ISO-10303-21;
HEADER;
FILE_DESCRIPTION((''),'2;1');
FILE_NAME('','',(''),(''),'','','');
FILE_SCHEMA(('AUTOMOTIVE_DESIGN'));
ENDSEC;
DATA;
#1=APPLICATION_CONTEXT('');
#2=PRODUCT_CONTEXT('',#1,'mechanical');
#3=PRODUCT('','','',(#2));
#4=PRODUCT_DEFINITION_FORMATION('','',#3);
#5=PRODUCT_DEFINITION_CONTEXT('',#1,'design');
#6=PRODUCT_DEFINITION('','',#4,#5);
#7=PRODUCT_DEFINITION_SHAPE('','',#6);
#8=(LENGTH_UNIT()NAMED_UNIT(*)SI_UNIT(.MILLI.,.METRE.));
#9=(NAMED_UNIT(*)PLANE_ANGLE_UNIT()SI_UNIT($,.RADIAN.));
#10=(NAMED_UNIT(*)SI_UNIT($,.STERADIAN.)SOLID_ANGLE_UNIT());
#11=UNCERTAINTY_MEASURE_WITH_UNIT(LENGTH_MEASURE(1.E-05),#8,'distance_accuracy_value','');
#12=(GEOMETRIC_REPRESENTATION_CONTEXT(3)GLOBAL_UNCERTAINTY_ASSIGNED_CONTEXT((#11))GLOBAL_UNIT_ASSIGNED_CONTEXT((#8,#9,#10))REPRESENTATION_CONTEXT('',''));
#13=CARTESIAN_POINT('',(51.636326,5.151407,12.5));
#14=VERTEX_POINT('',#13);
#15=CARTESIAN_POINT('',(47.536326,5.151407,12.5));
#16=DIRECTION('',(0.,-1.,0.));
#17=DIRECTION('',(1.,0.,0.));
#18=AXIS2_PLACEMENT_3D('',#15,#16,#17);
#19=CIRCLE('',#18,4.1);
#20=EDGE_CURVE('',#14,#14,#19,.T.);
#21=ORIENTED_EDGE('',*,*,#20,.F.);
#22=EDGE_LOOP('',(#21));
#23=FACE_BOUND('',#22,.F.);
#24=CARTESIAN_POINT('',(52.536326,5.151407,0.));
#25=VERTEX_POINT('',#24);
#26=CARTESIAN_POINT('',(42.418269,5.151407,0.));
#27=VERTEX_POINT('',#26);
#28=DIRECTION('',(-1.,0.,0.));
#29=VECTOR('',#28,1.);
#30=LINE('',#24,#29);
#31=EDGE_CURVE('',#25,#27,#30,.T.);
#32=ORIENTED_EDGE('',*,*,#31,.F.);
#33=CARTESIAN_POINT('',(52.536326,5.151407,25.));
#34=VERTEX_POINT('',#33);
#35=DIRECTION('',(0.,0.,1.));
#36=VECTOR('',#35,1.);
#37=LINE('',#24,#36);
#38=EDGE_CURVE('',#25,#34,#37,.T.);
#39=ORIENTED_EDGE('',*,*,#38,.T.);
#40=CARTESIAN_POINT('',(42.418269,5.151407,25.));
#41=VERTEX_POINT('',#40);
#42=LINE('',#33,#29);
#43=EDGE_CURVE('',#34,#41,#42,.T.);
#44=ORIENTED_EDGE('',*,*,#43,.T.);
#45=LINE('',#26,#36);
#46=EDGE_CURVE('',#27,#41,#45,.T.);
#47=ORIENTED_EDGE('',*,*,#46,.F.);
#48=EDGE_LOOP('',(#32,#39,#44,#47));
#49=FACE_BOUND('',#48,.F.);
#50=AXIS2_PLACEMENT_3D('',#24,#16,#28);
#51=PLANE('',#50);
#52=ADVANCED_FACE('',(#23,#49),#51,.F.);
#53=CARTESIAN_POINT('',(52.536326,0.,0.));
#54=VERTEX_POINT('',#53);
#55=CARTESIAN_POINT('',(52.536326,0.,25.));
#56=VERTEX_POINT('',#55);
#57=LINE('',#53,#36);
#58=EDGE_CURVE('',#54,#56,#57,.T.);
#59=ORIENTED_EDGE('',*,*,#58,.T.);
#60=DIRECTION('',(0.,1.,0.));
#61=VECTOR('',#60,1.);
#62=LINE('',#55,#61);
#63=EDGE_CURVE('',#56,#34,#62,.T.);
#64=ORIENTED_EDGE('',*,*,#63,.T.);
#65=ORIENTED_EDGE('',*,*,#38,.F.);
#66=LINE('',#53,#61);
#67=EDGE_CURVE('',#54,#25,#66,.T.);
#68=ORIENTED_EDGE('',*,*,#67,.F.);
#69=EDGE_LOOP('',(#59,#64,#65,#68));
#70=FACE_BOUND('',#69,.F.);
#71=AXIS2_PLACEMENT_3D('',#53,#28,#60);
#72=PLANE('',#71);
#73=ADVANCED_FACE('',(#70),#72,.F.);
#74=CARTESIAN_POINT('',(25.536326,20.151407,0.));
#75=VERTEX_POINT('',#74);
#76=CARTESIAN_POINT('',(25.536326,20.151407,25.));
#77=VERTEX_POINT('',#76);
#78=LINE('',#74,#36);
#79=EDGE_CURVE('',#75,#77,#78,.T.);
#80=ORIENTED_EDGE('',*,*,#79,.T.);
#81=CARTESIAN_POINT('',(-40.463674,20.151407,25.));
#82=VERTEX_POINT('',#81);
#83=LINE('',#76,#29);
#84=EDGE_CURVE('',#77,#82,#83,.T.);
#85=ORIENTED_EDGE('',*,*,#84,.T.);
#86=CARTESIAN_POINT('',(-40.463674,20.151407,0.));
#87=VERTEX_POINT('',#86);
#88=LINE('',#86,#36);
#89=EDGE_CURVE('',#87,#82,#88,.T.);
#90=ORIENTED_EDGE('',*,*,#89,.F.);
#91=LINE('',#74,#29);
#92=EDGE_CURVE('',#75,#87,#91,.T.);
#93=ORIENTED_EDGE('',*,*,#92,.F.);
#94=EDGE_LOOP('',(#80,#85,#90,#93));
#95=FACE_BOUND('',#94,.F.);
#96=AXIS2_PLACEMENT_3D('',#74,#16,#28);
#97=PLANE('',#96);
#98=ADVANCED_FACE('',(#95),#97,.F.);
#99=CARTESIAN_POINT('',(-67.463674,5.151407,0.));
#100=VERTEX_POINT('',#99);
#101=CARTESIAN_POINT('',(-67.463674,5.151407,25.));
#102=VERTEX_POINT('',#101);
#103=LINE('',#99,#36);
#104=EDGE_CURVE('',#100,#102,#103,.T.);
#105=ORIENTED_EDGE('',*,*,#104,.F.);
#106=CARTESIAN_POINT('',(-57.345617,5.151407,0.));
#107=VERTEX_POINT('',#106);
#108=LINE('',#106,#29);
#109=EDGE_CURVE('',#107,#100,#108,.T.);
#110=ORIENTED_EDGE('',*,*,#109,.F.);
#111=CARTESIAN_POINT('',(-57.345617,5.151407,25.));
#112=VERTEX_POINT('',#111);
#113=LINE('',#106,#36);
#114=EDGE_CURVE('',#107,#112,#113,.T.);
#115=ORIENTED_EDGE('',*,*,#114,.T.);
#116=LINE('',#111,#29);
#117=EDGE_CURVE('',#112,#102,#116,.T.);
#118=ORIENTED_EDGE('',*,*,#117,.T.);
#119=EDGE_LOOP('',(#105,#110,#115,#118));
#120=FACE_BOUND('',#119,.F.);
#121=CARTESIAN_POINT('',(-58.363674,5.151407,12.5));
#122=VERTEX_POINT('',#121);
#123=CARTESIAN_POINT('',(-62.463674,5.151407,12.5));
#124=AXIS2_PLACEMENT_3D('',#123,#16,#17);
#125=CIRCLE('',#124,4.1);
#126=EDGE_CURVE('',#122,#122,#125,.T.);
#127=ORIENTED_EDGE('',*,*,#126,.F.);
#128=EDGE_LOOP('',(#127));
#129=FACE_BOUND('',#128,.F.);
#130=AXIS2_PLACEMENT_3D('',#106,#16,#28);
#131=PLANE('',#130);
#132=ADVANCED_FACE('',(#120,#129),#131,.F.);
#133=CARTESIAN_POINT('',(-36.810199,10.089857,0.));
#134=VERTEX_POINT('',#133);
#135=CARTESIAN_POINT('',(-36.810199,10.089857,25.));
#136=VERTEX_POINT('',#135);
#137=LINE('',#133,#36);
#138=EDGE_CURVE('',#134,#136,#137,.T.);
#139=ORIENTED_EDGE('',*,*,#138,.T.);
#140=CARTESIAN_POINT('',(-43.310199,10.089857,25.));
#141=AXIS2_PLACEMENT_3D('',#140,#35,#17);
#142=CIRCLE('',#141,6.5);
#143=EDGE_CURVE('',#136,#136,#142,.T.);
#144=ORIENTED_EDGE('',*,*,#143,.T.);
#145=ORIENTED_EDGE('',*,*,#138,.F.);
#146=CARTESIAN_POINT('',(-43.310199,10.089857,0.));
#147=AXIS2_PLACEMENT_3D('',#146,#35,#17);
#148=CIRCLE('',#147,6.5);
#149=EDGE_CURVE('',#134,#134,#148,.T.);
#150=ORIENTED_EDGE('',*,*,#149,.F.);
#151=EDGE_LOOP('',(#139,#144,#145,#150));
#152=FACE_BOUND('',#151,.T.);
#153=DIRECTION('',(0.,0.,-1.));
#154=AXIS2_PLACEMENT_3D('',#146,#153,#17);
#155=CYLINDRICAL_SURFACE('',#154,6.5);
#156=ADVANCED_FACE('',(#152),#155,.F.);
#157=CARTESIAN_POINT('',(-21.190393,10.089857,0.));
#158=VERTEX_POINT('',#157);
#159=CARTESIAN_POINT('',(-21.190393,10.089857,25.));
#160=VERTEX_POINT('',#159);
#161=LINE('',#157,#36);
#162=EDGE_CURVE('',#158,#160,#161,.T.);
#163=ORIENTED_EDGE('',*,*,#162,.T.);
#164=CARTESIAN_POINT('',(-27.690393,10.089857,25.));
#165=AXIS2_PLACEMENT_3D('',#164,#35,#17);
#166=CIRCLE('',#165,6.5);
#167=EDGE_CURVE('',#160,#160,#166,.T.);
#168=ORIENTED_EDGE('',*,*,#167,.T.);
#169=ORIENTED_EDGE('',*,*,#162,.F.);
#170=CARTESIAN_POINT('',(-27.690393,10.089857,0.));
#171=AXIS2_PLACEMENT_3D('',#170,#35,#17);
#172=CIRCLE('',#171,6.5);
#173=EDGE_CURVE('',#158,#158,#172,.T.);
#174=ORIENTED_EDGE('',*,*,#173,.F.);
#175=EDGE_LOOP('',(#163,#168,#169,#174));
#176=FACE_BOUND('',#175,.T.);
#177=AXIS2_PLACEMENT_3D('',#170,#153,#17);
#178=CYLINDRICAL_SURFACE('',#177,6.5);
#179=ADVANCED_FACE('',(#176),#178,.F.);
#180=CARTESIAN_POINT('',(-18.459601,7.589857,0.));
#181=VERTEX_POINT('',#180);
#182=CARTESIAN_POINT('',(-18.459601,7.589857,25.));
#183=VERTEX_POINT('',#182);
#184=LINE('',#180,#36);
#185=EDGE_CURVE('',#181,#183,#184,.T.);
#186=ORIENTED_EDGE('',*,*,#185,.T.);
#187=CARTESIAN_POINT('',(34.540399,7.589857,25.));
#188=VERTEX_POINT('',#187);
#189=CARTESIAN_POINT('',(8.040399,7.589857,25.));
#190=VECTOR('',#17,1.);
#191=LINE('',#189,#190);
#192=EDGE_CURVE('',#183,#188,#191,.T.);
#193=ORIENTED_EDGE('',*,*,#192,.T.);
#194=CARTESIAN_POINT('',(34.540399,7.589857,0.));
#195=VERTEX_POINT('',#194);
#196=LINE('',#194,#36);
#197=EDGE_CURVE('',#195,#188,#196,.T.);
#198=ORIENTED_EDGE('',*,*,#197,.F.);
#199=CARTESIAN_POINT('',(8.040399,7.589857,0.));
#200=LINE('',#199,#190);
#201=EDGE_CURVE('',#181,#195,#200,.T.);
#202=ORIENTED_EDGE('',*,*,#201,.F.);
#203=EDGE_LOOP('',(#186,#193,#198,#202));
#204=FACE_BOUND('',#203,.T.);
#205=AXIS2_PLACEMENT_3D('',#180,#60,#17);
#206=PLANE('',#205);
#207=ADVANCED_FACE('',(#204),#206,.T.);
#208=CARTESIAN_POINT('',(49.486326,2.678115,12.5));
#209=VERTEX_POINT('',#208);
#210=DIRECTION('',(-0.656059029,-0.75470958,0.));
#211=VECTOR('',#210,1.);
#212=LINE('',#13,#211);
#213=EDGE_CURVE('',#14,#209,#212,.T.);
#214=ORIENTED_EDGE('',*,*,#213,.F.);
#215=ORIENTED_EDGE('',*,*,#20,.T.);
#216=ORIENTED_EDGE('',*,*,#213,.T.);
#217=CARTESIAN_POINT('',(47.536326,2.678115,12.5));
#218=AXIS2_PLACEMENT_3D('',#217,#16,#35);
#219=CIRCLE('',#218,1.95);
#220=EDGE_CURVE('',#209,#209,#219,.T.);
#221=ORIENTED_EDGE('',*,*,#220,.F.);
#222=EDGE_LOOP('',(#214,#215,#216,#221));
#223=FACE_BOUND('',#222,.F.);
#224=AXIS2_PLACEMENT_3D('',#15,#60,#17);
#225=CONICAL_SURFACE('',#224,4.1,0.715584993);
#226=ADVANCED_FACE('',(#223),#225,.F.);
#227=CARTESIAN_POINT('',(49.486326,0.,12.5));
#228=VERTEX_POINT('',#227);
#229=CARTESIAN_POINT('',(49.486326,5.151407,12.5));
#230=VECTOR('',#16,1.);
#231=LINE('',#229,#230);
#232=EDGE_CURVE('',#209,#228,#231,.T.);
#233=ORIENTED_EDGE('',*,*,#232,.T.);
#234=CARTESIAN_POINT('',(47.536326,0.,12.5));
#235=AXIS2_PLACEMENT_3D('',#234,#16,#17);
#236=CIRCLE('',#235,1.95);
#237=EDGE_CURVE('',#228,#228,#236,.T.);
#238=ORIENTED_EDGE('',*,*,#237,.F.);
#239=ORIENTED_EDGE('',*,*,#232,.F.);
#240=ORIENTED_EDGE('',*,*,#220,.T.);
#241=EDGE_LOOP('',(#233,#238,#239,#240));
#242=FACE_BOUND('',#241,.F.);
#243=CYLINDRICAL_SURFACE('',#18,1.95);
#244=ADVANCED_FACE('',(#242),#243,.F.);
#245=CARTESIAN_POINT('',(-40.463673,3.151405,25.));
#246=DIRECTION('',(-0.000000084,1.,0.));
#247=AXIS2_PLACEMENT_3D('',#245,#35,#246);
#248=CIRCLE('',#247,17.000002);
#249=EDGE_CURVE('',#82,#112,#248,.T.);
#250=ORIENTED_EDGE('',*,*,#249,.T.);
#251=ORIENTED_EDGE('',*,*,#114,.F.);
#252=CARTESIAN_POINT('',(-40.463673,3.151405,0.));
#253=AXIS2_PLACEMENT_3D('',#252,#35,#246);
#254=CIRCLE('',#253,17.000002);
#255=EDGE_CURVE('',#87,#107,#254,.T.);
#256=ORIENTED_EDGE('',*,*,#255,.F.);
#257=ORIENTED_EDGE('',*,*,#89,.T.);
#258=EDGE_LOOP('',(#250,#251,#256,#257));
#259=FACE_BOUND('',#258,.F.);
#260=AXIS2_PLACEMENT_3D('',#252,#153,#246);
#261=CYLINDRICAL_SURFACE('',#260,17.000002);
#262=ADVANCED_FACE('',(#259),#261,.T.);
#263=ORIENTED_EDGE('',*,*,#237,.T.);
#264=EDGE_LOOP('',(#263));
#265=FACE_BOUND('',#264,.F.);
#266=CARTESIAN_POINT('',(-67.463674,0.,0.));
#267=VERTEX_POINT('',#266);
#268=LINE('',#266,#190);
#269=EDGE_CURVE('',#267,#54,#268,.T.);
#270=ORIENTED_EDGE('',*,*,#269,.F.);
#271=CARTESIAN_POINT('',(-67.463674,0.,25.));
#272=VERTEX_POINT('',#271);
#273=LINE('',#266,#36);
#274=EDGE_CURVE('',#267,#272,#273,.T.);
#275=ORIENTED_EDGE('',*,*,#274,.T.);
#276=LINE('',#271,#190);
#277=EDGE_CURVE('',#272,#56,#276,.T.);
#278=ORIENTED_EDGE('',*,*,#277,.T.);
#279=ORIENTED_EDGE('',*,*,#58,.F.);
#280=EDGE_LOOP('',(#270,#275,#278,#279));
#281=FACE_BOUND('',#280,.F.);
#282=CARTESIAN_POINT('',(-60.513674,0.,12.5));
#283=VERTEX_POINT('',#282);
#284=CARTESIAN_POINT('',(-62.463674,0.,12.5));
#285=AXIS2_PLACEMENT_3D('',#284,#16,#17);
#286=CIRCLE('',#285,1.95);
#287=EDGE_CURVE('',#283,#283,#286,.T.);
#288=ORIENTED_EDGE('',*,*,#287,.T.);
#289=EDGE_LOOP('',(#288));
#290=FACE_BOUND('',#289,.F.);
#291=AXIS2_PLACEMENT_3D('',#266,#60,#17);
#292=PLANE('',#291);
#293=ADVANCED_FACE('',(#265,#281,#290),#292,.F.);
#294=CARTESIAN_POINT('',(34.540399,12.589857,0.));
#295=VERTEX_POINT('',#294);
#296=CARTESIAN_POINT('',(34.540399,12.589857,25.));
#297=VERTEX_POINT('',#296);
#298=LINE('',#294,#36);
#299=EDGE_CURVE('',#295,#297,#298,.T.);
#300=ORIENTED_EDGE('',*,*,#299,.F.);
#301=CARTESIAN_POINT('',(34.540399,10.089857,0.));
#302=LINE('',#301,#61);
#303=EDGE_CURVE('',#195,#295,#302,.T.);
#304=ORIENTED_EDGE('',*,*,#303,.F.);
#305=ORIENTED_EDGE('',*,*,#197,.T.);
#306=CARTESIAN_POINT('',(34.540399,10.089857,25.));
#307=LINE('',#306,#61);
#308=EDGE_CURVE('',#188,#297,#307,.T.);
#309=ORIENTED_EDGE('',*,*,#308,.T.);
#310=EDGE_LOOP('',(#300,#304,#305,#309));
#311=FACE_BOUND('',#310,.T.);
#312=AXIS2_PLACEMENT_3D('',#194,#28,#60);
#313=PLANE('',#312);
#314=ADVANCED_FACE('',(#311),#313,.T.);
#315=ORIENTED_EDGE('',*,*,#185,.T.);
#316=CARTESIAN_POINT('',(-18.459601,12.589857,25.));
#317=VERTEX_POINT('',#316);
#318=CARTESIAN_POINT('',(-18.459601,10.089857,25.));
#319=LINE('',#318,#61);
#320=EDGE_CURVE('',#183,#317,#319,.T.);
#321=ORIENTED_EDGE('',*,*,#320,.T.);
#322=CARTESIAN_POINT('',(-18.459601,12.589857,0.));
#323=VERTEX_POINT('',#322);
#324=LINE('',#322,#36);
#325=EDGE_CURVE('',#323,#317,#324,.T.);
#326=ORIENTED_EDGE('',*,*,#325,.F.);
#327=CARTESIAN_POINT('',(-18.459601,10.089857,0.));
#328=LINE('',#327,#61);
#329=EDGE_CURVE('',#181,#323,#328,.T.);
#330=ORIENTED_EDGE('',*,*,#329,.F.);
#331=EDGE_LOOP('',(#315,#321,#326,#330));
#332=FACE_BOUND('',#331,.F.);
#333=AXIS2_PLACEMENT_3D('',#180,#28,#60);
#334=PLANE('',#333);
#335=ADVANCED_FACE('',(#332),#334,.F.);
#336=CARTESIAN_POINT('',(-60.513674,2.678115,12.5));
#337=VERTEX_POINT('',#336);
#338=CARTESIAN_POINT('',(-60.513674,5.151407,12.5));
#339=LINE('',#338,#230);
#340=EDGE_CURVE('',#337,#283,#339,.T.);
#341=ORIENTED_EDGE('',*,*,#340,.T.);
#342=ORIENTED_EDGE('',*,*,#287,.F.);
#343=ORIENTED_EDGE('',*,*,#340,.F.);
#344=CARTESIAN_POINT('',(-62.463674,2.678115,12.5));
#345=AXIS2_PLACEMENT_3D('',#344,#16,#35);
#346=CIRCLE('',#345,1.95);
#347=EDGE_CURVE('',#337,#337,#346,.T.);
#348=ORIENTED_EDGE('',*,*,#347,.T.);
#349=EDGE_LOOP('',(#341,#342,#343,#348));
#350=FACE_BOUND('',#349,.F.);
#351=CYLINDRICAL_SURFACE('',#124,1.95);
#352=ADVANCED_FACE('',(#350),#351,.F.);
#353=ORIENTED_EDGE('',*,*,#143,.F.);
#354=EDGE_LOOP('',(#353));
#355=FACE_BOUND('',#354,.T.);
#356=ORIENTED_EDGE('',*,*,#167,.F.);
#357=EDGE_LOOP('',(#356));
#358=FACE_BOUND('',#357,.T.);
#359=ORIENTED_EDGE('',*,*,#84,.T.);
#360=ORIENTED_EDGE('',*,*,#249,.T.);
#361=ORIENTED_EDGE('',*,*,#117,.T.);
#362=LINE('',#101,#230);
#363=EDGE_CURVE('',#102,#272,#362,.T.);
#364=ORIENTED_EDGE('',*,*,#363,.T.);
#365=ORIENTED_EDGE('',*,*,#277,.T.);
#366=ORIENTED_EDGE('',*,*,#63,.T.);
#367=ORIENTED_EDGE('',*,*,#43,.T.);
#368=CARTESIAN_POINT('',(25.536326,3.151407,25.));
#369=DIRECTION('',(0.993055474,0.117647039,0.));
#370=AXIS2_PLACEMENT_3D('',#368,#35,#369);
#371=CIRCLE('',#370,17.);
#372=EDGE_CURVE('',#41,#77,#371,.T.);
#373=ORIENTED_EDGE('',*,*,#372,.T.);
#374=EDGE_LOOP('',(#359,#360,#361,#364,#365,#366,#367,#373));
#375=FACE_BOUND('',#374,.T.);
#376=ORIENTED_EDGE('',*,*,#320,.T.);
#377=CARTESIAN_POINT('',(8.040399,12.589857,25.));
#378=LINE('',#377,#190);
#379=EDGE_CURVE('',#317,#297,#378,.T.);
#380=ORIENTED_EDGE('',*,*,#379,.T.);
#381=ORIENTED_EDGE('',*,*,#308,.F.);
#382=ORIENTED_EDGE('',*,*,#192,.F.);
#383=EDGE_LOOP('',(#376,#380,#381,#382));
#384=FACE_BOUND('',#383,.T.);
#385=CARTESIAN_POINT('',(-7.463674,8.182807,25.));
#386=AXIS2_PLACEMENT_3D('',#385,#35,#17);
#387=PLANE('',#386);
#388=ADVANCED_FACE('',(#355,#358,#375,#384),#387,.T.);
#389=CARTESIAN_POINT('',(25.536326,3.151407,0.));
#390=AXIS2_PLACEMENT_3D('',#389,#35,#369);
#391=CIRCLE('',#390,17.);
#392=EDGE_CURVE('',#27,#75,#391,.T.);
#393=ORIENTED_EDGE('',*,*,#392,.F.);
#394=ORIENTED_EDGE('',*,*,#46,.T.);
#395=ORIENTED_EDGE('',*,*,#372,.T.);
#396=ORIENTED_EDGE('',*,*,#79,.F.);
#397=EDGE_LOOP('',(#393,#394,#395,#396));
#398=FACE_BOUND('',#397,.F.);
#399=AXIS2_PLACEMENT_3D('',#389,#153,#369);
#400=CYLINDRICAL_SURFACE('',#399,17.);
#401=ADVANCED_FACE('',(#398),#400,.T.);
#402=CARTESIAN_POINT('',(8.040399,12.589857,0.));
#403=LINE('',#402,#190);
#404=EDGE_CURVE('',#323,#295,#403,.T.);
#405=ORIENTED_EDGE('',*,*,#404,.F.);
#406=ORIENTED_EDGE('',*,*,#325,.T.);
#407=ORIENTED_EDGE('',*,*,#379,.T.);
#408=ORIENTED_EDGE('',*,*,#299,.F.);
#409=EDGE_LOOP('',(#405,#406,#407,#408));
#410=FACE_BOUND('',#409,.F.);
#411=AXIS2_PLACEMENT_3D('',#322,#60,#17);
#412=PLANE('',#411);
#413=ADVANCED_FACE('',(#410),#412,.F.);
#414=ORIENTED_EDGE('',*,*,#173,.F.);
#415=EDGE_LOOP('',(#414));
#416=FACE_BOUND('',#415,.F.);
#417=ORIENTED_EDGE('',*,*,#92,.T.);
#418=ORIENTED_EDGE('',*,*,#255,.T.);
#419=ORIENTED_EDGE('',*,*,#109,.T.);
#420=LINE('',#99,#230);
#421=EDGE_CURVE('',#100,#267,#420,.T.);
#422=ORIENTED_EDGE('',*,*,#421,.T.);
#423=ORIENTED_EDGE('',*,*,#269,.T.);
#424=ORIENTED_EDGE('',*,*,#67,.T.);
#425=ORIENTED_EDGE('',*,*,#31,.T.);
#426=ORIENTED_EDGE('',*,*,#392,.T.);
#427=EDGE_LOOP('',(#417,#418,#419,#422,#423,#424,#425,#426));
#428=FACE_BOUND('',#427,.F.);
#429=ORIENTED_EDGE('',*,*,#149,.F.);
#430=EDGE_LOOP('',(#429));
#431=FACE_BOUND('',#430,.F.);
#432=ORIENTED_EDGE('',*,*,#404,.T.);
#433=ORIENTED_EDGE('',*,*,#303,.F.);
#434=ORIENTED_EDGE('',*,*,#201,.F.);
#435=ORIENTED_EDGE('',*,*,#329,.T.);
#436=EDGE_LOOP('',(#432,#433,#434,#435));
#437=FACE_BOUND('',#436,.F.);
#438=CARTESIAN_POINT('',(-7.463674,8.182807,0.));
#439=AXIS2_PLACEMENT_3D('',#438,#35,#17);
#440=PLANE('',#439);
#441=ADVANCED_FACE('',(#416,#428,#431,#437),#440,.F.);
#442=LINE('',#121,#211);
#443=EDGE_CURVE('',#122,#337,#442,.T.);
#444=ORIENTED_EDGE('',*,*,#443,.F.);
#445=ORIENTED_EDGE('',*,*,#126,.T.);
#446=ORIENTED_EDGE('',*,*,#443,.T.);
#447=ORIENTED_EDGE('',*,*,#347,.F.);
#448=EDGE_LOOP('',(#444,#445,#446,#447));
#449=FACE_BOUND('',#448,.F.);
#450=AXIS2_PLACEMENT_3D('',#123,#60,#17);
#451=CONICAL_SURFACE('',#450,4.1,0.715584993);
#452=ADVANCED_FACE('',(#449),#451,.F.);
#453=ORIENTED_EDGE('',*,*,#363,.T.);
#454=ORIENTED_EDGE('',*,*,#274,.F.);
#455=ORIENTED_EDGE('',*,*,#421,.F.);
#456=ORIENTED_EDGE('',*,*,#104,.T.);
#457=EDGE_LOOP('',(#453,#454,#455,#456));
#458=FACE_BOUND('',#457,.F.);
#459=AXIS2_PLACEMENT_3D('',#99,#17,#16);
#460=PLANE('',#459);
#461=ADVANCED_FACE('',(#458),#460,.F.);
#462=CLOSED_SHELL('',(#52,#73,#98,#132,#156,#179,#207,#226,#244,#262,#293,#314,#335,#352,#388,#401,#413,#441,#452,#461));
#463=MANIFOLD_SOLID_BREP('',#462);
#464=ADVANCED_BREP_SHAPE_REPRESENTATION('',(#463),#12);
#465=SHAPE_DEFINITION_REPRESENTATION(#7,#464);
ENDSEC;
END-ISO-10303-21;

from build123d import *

# Parameters (mm, degrees)
F0_R           = 6.5
F0_W           = 53
F0_H           = 5
F1_DEPTH       = 25
F3_D           = 3.9
F3_CSINK_D     = 8.2
F3_CSINK_ANGLE = 82


with BuildPart() as f1:
    # F0 (on Top) → F1 (new body)
    with BuildSketch(Plane.XY):
        with BuildLine():
            Line((-67.463674, 0), (52.536326, 0))
            Line((52.536326, 0), (52.536326, 3.151407))
            Line((52.536326, 3.151407), (52.536326, 5.151407))
            Line((52.536326, 5.151407), (42.418269, 5.151407))
            ThreePointArc((42.418269, 5.151407), (36.827916, 15.859672), (25.536326, 20.151407))
            Line((25.536326, 20.151407), (-40.463674, 20.151407))
            ThreePointArc((-40.463674, 20.151407), (-51.755263, 15.859672), (-57.345617, 5.151407))
            Line((-57.345617, 5.151407), (-57.463674, 5.151407))
            Line((-57.463674, 5.151407), (-67.463674, 5.151407))
            Line((-67.463674, 5.151407), (-67.463674, 3.151407))
            Line((-67.463674, 3.151407), (-67.463674, 0))
        make_face()
        with Locations((-43.310199, 10.089857)):
            Circle(F0_R, mode=Mode.SUBTRACT)
        with Locations((-27.690393, 10.089857)):
            Circle(F0_R, mode=Mode.SUBTRACT)
        with Locations((8.040399, 10.089857)):
            Rectangle(F0_W, F0_H, mode=Mode.SUBTRACT)
    extrude(amount=F1_DEPTH)

    # F3 (through all)
    with Locations(Plane(origin=(0, 5.151407, 0), x_dir=(-1, 0, 0), z_dir=(0, 1, 0))):
        with Locations((62.463674, 12.5), (-47.536326, 12.5)):
            CounterSinkHole(F3_D / 2, F3_CSINK_D / 2, counter_sink_angle=F3_CSINK_ANGLE)


solid = f1.part
